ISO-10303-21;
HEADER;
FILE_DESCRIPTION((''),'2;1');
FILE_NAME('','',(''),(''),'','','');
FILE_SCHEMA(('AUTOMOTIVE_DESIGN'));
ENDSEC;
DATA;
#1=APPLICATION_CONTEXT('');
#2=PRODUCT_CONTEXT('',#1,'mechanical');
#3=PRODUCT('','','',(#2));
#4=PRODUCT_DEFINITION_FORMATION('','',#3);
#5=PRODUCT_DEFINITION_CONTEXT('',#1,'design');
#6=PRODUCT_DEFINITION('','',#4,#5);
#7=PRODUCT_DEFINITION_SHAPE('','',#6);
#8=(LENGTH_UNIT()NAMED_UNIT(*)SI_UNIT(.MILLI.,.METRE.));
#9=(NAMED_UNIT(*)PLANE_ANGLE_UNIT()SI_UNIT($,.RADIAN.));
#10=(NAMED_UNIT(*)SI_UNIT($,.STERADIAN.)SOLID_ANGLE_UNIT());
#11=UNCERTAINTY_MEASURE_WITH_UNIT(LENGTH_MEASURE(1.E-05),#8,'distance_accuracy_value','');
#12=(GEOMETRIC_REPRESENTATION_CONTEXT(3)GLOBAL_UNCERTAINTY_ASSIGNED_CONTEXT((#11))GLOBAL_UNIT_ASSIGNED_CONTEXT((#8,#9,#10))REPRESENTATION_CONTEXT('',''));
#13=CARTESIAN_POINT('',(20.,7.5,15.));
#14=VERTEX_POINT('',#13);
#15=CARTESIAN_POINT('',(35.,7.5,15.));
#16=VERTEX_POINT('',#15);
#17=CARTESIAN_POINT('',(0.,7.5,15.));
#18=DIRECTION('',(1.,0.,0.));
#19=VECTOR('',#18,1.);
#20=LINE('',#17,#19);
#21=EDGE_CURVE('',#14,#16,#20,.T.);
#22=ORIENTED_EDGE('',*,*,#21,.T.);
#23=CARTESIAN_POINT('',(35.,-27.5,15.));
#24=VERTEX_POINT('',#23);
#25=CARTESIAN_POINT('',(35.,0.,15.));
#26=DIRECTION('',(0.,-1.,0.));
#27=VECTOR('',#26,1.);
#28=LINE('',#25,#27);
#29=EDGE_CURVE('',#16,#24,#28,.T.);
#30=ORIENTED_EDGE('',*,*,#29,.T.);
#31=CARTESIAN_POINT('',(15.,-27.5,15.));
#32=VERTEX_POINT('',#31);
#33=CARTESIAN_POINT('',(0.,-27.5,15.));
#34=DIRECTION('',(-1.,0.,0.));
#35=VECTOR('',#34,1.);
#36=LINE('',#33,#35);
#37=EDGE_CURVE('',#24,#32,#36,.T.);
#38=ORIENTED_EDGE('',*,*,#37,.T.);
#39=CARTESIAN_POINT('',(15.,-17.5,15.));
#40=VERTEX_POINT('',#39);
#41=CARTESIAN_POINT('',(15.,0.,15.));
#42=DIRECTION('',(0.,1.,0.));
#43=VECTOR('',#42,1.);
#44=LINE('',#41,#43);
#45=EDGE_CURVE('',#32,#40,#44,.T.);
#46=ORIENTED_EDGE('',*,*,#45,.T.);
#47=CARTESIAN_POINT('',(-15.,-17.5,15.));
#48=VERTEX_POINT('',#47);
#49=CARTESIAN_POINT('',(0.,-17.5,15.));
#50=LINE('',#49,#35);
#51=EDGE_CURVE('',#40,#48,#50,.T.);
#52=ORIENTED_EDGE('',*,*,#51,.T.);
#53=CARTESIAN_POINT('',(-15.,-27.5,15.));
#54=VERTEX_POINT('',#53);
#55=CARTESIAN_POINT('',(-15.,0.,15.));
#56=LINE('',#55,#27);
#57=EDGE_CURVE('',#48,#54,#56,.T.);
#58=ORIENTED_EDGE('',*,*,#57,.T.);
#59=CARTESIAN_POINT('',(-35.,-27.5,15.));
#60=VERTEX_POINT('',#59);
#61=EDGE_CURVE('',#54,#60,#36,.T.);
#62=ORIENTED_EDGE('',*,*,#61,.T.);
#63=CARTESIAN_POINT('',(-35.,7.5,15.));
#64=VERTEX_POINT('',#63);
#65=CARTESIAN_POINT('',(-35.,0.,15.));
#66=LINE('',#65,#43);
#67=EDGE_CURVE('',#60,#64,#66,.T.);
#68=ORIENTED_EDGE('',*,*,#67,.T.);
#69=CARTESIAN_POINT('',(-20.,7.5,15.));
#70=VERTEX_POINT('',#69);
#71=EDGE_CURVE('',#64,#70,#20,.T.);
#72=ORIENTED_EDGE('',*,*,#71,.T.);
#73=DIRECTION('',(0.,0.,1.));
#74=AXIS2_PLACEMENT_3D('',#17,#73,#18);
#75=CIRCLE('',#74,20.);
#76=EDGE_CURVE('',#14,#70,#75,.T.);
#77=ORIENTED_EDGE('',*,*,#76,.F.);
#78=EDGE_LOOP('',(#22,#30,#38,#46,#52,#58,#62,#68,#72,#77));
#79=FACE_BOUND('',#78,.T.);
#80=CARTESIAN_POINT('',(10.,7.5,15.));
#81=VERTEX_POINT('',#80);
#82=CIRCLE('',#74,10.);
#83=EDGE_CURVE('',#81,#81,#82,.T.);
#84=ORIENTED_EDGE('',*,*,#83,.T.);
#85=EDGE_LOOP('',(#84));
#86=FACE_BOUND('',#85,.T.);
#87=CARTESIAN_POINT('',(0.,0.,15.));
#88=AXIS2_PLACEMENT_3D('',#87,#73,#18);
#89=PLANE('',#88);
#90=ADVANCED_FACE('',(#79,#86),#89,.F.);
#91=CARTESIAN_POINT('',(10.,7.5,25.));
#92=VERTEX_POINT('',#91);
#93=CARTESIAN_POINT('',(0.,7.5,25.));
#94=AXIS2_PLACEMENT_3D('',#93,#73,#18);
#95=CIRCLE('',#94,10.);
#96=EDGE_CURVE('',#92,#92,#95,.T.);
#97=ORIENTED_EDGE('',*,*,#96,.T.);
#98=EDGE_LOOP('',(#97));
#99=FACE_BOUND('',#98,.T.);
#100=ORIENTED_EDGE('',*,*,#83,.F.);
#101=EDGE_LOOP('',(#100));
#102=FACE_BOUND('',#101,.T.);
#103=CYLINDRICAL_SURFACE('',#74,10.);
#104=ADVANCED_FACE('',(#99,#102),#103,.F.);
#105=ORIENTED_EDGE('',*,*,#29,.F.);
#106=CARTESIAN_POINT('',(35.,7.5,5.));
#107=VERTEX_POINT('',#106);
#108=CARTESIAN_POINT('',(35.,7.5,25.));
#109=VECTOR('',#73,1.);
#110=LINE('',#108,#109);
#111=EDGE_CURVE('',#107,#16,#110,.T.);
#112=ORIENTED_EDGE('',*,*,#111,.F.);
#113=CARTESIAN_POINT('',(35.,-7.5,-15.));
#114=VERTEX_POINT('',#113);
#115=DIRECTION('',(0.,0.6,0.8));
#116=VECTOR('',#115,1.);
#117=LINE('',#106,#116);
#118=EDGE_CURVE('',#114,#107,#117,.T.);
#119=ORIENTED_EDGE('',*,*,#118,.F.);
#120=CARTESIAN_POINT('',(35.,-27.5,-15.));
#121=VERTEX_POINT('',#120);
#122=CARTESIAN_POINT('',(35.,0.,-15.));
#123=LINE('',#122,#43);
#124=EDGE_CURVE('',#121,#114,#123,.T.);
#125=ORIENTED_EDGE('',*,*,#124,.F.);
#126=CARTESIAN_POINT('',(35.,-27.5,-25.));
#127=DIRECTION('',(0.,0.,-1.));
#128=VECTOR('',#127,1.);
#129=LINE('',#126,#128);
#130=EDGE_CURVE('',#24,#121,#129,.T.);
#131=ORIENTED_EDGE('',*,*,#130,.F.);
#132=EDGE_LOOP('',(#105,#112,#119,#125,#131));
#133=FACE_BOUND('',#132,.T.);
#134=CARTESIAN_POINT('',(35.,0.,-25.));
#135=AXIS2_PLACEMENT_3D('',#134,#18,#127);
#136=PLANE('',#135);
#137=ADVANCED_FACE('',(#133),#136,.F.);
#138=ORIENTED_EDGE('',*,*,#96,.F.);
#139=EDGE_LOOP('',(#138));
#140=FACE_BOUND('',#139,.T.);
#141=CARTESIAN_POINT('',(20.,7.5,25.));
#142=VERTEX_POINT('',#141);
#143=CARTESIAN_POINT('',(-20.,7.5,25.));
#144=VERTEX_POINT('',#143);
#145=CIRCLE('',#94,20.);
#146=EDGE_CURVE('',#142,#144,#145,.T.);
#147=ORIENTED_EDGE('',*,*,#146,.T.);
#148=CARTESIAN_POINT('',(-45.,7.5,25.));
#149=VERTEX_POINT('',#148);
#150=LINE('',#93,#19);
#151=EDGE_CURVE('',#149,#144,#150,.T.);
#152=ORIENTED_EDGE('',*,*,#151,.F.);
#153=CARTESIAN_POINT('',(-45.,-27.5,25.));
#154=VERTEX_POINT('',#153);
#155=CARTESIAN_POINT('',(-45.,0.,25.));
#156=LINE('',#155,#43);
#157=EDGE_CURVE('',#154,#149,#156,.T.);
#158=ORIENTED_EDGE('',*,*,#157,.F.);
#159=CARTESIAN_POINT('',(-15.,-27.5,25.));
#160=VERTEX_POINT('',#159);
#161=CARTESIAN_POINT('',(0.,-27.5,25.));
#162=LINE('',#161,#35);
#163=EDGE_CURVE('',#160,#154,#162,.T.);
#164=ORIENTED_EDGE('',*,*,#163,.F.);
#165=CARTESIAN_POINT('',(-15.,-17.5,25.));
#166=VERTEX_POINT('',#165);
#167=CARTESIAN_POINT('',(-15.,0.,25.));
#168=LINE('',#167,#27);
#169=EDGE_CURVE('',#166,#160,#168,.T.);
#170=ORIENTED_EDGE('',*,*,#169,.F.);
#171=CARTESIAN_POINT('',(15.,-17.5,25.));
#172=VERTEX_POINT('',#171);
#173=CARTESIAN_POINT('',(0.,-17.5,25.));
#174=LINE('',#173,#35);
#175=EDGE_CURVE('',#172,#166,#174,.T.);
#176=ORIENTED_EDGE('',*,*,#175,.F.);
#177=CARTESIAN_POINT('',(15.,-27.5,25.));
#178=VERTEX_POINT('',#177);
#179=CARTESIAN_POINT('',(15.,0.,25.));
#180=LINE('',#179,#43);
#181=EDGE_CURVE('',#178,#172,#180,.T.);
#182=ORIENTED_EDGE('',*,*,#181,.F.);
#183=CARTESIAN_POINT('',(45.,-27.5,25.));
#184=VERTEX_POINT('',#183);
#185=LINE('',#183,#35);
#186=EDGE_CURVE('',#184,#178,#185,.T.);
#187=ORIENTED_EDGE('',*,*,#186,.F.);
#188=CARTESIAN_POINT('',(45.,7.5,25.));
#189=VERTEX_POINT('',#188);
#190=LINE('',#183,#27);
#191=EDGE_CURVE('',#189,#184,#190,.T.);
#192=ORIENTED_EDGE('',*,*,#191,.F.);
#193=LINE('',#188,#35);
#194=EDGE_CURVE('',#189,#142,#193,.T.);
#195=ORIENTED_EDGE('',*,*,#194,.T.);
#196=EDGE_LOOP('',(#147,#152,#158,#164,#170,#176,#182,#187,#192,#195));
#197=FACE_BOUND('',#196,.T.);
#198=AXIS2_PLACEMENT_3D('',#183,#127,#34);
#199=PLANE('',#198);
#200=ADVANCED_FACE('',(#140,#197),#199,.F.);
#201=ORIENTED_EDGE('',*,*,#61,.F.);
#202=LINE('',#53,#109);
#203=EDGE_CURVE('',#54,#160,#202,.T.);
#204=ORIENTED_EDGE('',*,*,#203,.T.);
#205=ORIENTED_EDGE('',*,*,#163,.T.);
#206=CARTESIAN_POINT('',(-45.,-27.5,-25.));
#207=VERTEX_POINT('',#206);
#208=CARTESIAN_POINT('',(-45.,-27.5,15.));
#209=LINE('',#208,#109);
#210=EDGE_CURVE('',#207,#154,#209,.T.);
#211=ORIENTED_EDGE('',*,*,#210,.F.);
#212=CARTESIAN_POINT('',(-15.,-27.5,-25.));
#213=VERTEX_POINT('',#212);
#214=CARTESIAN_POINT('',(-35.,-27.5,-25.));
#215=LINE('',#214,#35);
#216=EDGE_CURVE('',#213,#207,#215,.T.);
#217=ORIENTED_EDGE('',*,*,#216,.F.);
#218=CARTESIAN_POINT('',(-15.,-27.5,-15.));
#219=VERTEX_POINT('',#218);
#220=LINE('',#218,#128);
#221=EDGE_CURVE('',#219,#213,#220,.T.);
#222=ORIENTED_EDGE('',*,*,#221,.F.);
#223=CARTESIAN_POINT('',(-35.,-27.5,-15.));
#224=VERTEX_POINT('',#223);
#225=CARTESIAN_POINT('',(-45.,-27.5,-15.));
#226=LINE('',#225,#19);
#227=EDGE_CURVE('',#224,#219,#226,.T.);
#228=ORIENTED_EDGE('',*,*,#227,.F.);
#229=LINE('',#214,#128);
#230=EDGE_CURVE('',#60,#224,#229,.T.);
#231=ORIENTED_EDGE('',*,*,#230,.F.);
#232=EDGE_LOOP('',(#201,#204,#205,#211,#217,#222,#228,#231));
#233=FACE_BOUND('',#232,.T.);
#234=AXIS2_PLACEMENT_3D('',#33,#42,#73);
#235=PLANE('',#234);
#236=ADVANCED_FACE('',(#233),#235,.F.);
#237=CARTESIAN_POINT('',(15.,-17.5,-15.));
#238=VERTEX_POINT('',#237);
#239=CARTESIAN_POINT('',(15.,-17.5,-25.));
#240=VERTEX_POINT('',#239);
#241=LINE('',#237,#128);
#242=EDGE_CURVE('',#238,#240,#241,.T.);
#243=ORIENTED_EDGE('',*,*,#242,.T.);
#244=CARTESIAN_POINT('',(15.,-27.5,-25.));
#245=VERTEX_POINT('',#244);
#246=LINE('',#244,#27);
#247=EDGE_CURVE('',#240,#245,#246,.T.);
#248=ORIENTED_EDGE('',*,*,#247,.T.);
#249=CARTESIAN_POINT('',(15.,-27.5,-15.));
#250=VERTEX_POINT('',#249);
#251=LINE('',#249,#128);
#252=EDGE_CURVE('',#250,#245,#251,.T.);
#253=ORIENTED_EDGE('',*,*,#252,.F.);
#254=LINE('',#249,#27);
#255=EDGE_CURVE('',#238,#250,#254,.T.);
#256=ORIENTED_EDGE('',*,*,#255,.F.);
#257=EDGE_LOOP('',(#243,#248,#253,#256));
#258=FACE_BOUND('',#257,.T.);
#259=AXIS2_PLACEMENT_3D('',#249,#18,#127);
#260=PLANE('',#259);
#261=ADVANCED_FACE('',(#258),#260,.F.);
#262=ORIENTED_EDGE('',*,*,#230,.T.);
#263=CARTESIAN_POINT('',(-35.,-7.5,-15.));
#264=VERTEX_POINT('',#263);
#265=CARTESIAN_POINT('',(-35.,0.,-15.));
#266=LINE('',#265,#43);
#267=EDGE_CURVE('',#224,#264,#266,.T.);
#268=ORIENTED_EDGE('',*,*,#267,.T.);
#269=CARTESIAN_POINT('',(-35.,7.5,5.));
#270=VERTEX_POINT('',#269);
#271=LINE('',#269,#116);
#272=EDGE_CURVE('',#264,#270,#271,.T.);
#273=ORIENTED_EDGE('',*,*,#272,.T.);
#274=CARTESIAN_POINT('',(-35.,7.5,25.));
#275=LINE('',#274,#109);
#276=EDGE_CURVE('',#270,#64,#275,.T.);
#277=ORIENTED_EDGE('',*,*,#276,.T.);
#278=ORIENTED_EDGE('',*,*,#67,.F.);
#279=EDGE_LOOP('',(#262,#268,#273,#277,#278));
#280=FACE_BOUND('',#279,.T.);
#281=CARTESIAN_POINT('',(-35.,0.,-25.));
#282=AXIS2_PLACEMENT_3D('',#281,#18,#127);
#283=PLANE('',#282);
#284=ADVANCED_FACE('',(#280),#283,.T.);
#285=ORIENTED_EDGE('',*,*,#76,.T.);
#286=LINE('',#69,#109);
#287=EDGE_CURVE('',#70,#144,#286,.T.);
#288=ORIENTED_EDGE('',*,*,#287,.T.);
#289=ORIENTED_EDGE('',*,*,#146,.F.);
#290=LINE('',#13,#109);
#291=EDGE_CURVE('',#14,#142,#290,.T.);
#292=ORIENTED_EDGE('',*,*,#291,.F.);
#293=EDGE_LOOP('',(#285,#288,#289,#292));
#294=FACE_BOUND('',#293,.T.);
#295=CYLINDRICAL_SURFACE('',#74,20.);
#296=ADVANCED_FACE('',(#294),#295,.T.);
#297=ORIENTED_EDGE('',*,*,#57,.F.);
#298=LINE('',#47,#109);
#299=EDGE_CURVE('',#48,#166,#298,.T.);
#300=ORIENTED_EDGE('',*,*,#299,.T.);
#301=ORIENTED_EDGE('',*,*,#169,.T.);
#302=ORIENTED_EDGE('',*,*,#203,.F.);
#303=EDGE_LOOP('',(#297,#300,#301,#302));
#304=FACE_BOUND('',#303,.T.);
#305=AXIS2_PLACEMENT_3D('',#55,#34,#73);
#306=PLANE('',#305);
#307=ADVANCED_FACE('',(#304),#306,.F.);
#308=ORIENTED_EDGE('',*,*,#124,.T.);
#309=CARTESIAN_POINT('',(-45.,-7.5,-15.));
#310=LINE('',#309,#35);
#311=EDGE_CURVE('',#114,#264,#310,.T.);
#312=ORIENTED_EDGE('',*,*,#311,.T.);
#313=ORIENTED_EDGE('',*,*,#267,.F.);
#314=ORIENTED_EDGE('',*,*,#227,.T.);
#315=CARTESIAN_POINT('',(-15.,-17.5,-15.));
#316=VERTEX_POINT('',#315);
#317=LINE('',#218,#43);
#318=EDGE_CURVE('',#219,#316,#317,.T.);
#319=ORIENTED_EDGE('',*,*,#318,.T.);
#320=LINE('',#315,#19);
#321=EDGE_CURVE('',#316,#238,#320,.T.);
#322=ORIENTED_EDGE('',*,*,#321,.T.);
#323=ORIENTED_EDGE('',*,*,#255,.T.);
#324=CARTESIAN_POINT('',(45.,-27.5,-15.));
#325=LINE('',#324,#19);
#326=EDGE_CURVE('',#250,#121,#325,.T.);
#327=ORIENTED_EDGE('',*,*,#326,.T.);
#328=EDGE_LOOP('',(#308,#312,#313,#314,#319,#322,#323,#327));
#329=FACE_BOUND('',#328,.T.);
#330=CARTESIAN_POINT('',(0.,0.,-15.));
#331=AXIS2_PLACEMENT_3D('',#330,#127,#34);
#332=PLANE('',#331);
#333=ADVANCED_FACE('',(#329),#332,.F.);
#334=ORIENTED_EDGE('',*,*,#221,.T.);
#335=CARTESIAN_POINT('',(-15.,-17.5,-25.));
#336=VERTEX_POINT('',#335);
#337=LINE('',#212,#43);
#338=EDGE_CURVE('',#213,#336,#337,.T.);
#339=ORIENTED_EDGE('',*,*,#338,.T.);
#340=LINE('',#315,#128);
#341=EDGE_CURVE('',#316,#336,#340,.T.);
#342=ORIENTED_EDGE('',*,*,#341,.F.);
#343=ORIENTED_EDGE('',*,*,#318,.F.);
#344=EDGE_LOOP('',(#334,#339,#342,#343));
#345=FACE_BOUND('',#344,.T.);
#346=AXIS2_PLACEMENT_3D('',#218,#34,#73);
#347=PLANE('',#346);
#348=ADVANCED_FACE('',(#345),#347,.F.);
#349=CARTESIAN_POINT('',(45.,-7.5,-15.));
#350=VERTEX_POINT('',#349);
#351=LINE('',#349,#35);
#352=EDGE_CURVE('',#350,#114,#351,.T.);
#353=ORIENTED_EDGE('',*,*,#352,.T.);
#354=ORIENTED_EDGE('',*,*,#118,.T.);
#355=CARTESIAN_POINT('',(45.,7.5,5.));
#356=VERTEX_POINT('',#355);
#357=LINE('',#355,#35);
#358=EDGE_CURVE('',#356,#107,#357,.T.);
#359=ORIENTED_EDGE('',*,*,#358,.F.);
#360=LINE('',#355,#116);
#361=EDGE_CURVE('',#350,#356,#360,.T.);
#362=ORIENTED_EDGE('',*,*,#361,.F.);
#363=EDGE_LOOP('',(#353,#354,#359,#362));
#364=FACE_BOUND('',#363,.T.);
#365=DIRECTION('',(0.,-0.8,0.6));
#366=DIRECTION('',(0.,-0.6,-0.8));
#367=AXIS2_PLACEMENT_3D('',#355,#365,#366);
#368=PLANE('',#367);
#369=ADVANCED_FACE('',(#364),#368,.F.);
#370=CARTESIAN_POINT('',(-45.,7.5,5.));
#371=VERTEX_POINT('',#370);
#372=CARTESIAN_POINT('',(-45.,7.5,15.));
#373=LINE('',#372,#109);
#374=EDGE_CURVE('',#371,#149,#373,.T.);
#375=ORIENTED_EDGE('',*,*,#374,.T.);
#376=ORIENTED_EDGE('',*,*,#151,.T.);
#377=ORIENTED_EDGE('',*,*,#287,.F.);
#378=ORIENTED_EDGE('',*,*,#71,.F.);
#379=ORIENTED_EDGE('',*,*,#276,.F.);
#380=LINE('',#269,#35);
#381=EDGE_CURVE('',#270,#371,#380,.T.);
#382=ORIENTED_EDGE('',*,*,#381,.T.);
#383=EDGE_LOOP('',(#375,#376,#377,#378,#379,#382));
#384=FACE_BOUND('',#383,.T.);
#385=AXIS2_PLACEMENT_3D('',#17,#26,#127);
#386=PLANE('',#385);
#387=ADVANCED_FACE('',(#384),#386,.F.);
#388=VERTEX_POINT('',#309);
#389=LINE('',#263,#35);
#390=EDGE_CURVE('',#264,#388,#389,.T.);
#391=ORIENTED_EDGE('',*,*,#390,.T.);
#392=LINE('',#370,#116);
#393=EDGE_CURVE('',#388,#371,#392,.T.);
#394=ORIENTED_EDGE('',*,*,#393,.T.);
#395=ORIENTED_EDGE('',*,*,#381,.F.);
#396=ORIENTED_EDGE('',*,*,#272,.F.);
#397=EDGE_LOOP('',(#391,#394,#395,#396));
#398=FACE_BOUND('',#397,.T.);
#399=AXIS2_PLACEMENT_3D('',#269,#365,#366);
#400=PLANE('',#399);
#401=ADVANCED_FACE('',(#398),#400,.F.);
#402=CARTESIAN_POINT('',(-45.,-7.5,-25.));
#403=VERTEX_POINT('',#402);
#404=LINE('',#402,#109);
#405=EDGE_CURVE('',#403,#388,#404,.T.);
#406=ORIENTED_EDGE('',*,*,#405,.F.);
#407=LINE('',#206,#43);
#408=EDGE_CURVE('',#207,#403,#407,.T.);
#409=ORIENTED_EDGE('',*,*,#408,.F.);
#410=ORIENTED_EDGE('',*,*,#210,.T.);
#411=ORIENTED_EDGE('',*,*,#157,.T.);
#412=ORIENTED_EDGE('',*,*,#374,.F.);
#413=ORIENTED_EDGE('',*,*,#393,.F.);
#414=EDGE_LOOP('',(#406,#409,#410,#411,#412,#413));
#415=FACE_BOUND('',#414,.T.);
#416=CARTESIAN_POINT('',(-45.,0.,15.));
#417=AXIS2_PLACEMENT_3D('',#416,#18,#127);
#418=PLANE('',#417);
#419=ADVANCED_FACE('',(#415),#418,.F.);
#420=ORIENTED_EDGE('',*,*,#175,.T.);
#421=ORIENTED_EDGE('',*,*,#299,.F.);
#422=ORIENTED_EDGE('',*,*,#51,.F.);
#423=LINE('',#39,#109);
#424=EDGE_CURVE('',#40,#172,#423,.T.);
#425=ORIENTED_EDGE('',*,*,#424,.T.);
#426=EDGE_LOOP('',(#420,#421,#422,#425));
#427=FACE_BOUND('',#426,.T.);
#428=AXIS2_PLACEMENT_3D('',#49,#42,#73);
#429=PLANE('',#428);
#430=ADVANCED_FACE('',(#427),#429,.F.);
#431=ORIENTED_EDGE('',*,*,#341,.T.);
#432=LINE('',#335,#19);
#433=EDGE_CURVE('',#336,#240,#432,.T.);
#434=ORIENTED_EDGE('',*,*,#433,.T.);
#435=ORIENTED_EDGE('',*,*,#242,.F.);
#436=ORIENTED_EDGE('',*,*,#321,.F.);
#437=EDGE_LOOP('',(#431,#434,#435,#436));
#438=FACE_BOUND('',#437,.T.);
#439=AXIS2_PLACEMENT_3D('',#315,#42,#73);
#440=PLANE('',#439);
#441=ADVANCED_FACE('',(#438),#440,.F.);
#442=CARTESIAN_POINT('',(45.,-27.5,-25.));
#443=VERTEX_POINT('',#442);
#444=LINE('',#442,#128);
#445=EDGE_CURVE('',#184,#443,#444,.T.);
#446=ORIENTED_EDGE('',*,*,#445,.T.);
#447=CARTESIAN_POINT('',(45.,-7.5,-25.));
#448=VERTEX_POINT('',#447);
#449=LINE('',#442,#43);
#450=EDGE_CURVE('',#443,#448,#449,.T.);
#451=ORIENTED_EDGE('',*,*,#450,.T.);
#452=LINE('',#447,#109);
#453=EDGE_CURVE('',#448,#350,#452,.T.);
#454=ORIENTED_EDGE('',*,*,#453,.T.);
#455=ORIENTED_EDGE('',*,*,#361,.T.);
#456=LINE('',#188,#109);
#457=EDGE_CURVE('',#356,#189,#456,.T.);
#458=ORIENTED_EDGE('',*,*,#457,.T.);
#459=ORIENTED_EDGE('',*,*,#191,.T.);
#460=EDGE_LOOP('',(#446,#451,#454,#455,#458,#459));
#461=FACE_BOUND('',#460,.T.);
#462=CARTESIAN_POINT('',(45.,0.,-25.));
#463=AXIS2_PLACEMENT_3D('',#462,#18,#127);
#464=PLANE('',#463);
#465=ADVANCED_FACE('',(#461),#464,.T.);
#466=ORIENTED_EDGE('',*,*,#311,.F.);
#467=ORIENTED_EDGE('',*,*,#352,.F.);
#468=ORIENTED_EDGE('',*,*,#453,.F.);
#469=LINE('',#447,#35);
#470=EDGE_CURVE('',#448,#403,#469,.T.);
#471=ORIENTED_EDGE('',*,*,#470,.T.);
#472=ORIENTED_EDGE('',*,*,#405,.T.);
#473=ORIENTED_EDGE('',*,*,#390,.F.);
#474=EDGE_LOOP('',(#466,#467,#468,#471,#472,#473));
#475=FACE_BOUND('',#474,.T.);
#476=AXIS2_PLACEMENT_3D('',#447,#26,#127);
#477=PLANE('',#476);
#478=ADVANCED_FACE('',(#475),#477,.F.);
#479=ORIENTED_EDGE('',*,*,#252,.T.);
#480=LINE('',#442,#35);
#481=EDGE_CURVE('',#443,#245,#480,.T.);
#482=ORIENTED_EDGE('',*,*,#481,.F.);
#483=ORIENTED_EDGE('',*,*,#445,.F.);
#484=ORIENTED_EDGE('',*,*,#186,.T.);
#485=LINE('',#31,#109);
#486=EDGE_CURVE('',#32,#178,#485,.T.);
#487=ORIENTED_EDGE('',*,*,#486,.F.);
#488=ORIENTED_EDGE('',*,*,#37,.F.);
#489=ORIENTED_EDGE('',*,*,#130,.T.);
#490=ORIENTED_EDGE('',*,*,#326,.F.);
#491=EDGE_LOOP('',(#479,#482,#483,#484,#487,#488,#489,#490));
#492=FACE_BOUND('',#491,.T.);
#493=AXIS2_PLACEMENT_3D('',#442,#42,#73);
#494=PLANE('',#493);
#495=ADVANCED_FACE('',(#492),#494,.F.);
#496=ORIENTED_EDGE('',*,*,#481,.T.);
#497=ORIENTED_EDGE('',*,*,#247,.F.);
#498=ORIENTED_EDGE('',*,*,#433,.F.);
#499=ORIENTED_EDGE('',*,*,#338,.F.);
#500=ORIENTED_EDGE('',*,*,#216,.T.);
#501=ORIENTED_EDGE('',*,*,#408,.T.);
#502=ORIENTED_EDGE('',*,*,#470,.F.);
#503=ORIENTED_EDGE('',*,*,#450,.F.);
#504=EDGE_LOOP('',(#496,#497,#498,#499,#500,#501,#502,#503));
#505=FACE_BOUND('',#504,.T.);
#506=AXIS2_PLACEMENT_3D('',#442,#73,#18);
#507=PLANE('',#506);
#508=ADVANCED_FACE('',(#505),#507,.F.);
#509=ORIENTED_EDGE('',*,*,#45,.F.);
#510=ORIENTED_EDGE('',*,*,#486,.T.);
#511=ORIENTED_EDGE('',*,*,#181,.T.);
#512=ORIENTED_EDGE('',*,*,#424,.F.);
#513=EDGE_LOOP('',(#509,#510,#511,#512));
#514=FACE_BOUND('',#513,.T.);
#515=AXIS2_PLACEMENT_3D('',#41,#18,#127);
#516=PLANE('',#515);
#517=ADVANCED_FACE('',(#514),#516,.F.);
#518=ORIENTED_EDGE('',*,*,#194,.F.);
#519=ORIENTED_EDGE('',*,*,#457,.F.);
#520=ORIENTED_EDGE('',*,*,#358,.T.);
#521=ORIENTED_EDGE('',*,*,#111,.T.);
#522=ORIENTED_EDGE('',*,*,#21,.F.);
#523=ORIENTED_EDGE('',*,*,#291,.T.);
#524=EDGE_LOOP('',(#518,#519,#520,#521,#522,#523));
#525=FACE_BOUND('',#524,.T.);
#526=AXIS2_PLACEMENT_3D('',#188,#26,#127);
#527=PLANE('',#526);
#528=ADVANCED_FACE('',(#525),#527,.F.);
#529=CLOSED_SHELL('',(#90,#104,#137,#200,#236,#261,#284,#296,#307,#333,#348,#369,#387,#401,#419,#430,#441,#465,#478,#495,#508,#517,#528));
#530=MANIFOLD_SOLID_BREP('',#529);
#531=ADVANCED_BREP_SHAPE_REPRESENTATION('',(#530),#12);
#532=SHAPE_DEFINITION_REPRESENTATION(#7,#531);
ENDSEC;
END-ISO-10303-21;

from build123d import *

# Parameters (mm, degrees)
BOSS_EXTRUDE1_DEPTH = 10
BOSS_EXTRUDE2_DEPTH = 5
SKETCH3_R           = 10
BOSS_EXTRUDE3_DEPTH = 10


with BuildPart() as part:
    # Sketch1 → Boss-Extrude1 (new body)
    with BuildSketch(Plane.XY):
        Polygon((-45, -27.5), (-15, -27.5), (-15, -17.5), (15, -17.5), (15, -27.5), (45, -27.5), (45, -7.5), (-45, -7.5), align=None)
    extrude(amount=BOSS_EXTRUDE1_DEPTH)


with BuildPart() as body_2:
    # Sketch2 → Boss-Extrude2 (new, symmetric)
    with BuildSketch(Plane(origin=(0, 0, 0), x_dir=(0, 0, -1), z_dir=(1, 0, 0))):
        Polygon((0, -27.5), (-50, -27.5), (-50, 7.5), (-30, 7.5), (-10, -7.5), (0, -7.5), align=None)
    extrude(amount=BOSS_EXTRUDE2_DEPTH, both=True)


with BuildPart() as body_3:
    # Sketch3 → Boss-Extrude3 (new body)
    with BuildSketch(Plane.XY):
        with BuildLine():
            Line((-45, -27.5), (-15, -27.5))
            Line((-15, -27.5), (-15, -17.5))
            Line((-15, -17.5), (15, -17.5))
            Line((15, -17.5), (15, -27.5))
            Line((15, -27.5), (45, -27.5))
            Line((45, -27.5), (45, 7.5))
            Line((45, 7.5), (20, 7.5))
            ThreePointArc((20, 7.5), (0, 27.5), (-20, 7.5))
            Line((-20, 7.5), (-45, 7.5))
            Line((-45, 7.5), (-45, -27.5))
        make_face()
        with Locations((0, 7.5)):
            Circle(SKETCH3_R, mode=Mode.SUBTRACT)
    extrude(amount=-BOSS_EXTRUDE3_DEPTH)


with BuildPart() as body_3_1:
    # Body-Move/Copy1: moved
    add(body_3.part.moved(Location((0, 0, 50))))


with BuildPart() as body_2_1:
    # Body-Move/Copy2: moved
    add(body_2.part.moved(Location((40, 0, 0))))


with BuildPart() as body_4:
    # Body-Move/Copy3: copy of body 2
    add(body_2_1.part.moved(Location((-80, 0, 0))))


with BuildPart() as body_2_2:
    add(body_2_1.part)

    # Combine1: union body 3, body 4, part
    add(body_3_1.part)
    add(body_4.part)
    add(part.part)


with BuildPart() as body_2_3:
    # Body-Move/Copy5: moved
    add(body_2_2.part.moved(Location((0, 0, -25))))


solid = body_2_3.part
